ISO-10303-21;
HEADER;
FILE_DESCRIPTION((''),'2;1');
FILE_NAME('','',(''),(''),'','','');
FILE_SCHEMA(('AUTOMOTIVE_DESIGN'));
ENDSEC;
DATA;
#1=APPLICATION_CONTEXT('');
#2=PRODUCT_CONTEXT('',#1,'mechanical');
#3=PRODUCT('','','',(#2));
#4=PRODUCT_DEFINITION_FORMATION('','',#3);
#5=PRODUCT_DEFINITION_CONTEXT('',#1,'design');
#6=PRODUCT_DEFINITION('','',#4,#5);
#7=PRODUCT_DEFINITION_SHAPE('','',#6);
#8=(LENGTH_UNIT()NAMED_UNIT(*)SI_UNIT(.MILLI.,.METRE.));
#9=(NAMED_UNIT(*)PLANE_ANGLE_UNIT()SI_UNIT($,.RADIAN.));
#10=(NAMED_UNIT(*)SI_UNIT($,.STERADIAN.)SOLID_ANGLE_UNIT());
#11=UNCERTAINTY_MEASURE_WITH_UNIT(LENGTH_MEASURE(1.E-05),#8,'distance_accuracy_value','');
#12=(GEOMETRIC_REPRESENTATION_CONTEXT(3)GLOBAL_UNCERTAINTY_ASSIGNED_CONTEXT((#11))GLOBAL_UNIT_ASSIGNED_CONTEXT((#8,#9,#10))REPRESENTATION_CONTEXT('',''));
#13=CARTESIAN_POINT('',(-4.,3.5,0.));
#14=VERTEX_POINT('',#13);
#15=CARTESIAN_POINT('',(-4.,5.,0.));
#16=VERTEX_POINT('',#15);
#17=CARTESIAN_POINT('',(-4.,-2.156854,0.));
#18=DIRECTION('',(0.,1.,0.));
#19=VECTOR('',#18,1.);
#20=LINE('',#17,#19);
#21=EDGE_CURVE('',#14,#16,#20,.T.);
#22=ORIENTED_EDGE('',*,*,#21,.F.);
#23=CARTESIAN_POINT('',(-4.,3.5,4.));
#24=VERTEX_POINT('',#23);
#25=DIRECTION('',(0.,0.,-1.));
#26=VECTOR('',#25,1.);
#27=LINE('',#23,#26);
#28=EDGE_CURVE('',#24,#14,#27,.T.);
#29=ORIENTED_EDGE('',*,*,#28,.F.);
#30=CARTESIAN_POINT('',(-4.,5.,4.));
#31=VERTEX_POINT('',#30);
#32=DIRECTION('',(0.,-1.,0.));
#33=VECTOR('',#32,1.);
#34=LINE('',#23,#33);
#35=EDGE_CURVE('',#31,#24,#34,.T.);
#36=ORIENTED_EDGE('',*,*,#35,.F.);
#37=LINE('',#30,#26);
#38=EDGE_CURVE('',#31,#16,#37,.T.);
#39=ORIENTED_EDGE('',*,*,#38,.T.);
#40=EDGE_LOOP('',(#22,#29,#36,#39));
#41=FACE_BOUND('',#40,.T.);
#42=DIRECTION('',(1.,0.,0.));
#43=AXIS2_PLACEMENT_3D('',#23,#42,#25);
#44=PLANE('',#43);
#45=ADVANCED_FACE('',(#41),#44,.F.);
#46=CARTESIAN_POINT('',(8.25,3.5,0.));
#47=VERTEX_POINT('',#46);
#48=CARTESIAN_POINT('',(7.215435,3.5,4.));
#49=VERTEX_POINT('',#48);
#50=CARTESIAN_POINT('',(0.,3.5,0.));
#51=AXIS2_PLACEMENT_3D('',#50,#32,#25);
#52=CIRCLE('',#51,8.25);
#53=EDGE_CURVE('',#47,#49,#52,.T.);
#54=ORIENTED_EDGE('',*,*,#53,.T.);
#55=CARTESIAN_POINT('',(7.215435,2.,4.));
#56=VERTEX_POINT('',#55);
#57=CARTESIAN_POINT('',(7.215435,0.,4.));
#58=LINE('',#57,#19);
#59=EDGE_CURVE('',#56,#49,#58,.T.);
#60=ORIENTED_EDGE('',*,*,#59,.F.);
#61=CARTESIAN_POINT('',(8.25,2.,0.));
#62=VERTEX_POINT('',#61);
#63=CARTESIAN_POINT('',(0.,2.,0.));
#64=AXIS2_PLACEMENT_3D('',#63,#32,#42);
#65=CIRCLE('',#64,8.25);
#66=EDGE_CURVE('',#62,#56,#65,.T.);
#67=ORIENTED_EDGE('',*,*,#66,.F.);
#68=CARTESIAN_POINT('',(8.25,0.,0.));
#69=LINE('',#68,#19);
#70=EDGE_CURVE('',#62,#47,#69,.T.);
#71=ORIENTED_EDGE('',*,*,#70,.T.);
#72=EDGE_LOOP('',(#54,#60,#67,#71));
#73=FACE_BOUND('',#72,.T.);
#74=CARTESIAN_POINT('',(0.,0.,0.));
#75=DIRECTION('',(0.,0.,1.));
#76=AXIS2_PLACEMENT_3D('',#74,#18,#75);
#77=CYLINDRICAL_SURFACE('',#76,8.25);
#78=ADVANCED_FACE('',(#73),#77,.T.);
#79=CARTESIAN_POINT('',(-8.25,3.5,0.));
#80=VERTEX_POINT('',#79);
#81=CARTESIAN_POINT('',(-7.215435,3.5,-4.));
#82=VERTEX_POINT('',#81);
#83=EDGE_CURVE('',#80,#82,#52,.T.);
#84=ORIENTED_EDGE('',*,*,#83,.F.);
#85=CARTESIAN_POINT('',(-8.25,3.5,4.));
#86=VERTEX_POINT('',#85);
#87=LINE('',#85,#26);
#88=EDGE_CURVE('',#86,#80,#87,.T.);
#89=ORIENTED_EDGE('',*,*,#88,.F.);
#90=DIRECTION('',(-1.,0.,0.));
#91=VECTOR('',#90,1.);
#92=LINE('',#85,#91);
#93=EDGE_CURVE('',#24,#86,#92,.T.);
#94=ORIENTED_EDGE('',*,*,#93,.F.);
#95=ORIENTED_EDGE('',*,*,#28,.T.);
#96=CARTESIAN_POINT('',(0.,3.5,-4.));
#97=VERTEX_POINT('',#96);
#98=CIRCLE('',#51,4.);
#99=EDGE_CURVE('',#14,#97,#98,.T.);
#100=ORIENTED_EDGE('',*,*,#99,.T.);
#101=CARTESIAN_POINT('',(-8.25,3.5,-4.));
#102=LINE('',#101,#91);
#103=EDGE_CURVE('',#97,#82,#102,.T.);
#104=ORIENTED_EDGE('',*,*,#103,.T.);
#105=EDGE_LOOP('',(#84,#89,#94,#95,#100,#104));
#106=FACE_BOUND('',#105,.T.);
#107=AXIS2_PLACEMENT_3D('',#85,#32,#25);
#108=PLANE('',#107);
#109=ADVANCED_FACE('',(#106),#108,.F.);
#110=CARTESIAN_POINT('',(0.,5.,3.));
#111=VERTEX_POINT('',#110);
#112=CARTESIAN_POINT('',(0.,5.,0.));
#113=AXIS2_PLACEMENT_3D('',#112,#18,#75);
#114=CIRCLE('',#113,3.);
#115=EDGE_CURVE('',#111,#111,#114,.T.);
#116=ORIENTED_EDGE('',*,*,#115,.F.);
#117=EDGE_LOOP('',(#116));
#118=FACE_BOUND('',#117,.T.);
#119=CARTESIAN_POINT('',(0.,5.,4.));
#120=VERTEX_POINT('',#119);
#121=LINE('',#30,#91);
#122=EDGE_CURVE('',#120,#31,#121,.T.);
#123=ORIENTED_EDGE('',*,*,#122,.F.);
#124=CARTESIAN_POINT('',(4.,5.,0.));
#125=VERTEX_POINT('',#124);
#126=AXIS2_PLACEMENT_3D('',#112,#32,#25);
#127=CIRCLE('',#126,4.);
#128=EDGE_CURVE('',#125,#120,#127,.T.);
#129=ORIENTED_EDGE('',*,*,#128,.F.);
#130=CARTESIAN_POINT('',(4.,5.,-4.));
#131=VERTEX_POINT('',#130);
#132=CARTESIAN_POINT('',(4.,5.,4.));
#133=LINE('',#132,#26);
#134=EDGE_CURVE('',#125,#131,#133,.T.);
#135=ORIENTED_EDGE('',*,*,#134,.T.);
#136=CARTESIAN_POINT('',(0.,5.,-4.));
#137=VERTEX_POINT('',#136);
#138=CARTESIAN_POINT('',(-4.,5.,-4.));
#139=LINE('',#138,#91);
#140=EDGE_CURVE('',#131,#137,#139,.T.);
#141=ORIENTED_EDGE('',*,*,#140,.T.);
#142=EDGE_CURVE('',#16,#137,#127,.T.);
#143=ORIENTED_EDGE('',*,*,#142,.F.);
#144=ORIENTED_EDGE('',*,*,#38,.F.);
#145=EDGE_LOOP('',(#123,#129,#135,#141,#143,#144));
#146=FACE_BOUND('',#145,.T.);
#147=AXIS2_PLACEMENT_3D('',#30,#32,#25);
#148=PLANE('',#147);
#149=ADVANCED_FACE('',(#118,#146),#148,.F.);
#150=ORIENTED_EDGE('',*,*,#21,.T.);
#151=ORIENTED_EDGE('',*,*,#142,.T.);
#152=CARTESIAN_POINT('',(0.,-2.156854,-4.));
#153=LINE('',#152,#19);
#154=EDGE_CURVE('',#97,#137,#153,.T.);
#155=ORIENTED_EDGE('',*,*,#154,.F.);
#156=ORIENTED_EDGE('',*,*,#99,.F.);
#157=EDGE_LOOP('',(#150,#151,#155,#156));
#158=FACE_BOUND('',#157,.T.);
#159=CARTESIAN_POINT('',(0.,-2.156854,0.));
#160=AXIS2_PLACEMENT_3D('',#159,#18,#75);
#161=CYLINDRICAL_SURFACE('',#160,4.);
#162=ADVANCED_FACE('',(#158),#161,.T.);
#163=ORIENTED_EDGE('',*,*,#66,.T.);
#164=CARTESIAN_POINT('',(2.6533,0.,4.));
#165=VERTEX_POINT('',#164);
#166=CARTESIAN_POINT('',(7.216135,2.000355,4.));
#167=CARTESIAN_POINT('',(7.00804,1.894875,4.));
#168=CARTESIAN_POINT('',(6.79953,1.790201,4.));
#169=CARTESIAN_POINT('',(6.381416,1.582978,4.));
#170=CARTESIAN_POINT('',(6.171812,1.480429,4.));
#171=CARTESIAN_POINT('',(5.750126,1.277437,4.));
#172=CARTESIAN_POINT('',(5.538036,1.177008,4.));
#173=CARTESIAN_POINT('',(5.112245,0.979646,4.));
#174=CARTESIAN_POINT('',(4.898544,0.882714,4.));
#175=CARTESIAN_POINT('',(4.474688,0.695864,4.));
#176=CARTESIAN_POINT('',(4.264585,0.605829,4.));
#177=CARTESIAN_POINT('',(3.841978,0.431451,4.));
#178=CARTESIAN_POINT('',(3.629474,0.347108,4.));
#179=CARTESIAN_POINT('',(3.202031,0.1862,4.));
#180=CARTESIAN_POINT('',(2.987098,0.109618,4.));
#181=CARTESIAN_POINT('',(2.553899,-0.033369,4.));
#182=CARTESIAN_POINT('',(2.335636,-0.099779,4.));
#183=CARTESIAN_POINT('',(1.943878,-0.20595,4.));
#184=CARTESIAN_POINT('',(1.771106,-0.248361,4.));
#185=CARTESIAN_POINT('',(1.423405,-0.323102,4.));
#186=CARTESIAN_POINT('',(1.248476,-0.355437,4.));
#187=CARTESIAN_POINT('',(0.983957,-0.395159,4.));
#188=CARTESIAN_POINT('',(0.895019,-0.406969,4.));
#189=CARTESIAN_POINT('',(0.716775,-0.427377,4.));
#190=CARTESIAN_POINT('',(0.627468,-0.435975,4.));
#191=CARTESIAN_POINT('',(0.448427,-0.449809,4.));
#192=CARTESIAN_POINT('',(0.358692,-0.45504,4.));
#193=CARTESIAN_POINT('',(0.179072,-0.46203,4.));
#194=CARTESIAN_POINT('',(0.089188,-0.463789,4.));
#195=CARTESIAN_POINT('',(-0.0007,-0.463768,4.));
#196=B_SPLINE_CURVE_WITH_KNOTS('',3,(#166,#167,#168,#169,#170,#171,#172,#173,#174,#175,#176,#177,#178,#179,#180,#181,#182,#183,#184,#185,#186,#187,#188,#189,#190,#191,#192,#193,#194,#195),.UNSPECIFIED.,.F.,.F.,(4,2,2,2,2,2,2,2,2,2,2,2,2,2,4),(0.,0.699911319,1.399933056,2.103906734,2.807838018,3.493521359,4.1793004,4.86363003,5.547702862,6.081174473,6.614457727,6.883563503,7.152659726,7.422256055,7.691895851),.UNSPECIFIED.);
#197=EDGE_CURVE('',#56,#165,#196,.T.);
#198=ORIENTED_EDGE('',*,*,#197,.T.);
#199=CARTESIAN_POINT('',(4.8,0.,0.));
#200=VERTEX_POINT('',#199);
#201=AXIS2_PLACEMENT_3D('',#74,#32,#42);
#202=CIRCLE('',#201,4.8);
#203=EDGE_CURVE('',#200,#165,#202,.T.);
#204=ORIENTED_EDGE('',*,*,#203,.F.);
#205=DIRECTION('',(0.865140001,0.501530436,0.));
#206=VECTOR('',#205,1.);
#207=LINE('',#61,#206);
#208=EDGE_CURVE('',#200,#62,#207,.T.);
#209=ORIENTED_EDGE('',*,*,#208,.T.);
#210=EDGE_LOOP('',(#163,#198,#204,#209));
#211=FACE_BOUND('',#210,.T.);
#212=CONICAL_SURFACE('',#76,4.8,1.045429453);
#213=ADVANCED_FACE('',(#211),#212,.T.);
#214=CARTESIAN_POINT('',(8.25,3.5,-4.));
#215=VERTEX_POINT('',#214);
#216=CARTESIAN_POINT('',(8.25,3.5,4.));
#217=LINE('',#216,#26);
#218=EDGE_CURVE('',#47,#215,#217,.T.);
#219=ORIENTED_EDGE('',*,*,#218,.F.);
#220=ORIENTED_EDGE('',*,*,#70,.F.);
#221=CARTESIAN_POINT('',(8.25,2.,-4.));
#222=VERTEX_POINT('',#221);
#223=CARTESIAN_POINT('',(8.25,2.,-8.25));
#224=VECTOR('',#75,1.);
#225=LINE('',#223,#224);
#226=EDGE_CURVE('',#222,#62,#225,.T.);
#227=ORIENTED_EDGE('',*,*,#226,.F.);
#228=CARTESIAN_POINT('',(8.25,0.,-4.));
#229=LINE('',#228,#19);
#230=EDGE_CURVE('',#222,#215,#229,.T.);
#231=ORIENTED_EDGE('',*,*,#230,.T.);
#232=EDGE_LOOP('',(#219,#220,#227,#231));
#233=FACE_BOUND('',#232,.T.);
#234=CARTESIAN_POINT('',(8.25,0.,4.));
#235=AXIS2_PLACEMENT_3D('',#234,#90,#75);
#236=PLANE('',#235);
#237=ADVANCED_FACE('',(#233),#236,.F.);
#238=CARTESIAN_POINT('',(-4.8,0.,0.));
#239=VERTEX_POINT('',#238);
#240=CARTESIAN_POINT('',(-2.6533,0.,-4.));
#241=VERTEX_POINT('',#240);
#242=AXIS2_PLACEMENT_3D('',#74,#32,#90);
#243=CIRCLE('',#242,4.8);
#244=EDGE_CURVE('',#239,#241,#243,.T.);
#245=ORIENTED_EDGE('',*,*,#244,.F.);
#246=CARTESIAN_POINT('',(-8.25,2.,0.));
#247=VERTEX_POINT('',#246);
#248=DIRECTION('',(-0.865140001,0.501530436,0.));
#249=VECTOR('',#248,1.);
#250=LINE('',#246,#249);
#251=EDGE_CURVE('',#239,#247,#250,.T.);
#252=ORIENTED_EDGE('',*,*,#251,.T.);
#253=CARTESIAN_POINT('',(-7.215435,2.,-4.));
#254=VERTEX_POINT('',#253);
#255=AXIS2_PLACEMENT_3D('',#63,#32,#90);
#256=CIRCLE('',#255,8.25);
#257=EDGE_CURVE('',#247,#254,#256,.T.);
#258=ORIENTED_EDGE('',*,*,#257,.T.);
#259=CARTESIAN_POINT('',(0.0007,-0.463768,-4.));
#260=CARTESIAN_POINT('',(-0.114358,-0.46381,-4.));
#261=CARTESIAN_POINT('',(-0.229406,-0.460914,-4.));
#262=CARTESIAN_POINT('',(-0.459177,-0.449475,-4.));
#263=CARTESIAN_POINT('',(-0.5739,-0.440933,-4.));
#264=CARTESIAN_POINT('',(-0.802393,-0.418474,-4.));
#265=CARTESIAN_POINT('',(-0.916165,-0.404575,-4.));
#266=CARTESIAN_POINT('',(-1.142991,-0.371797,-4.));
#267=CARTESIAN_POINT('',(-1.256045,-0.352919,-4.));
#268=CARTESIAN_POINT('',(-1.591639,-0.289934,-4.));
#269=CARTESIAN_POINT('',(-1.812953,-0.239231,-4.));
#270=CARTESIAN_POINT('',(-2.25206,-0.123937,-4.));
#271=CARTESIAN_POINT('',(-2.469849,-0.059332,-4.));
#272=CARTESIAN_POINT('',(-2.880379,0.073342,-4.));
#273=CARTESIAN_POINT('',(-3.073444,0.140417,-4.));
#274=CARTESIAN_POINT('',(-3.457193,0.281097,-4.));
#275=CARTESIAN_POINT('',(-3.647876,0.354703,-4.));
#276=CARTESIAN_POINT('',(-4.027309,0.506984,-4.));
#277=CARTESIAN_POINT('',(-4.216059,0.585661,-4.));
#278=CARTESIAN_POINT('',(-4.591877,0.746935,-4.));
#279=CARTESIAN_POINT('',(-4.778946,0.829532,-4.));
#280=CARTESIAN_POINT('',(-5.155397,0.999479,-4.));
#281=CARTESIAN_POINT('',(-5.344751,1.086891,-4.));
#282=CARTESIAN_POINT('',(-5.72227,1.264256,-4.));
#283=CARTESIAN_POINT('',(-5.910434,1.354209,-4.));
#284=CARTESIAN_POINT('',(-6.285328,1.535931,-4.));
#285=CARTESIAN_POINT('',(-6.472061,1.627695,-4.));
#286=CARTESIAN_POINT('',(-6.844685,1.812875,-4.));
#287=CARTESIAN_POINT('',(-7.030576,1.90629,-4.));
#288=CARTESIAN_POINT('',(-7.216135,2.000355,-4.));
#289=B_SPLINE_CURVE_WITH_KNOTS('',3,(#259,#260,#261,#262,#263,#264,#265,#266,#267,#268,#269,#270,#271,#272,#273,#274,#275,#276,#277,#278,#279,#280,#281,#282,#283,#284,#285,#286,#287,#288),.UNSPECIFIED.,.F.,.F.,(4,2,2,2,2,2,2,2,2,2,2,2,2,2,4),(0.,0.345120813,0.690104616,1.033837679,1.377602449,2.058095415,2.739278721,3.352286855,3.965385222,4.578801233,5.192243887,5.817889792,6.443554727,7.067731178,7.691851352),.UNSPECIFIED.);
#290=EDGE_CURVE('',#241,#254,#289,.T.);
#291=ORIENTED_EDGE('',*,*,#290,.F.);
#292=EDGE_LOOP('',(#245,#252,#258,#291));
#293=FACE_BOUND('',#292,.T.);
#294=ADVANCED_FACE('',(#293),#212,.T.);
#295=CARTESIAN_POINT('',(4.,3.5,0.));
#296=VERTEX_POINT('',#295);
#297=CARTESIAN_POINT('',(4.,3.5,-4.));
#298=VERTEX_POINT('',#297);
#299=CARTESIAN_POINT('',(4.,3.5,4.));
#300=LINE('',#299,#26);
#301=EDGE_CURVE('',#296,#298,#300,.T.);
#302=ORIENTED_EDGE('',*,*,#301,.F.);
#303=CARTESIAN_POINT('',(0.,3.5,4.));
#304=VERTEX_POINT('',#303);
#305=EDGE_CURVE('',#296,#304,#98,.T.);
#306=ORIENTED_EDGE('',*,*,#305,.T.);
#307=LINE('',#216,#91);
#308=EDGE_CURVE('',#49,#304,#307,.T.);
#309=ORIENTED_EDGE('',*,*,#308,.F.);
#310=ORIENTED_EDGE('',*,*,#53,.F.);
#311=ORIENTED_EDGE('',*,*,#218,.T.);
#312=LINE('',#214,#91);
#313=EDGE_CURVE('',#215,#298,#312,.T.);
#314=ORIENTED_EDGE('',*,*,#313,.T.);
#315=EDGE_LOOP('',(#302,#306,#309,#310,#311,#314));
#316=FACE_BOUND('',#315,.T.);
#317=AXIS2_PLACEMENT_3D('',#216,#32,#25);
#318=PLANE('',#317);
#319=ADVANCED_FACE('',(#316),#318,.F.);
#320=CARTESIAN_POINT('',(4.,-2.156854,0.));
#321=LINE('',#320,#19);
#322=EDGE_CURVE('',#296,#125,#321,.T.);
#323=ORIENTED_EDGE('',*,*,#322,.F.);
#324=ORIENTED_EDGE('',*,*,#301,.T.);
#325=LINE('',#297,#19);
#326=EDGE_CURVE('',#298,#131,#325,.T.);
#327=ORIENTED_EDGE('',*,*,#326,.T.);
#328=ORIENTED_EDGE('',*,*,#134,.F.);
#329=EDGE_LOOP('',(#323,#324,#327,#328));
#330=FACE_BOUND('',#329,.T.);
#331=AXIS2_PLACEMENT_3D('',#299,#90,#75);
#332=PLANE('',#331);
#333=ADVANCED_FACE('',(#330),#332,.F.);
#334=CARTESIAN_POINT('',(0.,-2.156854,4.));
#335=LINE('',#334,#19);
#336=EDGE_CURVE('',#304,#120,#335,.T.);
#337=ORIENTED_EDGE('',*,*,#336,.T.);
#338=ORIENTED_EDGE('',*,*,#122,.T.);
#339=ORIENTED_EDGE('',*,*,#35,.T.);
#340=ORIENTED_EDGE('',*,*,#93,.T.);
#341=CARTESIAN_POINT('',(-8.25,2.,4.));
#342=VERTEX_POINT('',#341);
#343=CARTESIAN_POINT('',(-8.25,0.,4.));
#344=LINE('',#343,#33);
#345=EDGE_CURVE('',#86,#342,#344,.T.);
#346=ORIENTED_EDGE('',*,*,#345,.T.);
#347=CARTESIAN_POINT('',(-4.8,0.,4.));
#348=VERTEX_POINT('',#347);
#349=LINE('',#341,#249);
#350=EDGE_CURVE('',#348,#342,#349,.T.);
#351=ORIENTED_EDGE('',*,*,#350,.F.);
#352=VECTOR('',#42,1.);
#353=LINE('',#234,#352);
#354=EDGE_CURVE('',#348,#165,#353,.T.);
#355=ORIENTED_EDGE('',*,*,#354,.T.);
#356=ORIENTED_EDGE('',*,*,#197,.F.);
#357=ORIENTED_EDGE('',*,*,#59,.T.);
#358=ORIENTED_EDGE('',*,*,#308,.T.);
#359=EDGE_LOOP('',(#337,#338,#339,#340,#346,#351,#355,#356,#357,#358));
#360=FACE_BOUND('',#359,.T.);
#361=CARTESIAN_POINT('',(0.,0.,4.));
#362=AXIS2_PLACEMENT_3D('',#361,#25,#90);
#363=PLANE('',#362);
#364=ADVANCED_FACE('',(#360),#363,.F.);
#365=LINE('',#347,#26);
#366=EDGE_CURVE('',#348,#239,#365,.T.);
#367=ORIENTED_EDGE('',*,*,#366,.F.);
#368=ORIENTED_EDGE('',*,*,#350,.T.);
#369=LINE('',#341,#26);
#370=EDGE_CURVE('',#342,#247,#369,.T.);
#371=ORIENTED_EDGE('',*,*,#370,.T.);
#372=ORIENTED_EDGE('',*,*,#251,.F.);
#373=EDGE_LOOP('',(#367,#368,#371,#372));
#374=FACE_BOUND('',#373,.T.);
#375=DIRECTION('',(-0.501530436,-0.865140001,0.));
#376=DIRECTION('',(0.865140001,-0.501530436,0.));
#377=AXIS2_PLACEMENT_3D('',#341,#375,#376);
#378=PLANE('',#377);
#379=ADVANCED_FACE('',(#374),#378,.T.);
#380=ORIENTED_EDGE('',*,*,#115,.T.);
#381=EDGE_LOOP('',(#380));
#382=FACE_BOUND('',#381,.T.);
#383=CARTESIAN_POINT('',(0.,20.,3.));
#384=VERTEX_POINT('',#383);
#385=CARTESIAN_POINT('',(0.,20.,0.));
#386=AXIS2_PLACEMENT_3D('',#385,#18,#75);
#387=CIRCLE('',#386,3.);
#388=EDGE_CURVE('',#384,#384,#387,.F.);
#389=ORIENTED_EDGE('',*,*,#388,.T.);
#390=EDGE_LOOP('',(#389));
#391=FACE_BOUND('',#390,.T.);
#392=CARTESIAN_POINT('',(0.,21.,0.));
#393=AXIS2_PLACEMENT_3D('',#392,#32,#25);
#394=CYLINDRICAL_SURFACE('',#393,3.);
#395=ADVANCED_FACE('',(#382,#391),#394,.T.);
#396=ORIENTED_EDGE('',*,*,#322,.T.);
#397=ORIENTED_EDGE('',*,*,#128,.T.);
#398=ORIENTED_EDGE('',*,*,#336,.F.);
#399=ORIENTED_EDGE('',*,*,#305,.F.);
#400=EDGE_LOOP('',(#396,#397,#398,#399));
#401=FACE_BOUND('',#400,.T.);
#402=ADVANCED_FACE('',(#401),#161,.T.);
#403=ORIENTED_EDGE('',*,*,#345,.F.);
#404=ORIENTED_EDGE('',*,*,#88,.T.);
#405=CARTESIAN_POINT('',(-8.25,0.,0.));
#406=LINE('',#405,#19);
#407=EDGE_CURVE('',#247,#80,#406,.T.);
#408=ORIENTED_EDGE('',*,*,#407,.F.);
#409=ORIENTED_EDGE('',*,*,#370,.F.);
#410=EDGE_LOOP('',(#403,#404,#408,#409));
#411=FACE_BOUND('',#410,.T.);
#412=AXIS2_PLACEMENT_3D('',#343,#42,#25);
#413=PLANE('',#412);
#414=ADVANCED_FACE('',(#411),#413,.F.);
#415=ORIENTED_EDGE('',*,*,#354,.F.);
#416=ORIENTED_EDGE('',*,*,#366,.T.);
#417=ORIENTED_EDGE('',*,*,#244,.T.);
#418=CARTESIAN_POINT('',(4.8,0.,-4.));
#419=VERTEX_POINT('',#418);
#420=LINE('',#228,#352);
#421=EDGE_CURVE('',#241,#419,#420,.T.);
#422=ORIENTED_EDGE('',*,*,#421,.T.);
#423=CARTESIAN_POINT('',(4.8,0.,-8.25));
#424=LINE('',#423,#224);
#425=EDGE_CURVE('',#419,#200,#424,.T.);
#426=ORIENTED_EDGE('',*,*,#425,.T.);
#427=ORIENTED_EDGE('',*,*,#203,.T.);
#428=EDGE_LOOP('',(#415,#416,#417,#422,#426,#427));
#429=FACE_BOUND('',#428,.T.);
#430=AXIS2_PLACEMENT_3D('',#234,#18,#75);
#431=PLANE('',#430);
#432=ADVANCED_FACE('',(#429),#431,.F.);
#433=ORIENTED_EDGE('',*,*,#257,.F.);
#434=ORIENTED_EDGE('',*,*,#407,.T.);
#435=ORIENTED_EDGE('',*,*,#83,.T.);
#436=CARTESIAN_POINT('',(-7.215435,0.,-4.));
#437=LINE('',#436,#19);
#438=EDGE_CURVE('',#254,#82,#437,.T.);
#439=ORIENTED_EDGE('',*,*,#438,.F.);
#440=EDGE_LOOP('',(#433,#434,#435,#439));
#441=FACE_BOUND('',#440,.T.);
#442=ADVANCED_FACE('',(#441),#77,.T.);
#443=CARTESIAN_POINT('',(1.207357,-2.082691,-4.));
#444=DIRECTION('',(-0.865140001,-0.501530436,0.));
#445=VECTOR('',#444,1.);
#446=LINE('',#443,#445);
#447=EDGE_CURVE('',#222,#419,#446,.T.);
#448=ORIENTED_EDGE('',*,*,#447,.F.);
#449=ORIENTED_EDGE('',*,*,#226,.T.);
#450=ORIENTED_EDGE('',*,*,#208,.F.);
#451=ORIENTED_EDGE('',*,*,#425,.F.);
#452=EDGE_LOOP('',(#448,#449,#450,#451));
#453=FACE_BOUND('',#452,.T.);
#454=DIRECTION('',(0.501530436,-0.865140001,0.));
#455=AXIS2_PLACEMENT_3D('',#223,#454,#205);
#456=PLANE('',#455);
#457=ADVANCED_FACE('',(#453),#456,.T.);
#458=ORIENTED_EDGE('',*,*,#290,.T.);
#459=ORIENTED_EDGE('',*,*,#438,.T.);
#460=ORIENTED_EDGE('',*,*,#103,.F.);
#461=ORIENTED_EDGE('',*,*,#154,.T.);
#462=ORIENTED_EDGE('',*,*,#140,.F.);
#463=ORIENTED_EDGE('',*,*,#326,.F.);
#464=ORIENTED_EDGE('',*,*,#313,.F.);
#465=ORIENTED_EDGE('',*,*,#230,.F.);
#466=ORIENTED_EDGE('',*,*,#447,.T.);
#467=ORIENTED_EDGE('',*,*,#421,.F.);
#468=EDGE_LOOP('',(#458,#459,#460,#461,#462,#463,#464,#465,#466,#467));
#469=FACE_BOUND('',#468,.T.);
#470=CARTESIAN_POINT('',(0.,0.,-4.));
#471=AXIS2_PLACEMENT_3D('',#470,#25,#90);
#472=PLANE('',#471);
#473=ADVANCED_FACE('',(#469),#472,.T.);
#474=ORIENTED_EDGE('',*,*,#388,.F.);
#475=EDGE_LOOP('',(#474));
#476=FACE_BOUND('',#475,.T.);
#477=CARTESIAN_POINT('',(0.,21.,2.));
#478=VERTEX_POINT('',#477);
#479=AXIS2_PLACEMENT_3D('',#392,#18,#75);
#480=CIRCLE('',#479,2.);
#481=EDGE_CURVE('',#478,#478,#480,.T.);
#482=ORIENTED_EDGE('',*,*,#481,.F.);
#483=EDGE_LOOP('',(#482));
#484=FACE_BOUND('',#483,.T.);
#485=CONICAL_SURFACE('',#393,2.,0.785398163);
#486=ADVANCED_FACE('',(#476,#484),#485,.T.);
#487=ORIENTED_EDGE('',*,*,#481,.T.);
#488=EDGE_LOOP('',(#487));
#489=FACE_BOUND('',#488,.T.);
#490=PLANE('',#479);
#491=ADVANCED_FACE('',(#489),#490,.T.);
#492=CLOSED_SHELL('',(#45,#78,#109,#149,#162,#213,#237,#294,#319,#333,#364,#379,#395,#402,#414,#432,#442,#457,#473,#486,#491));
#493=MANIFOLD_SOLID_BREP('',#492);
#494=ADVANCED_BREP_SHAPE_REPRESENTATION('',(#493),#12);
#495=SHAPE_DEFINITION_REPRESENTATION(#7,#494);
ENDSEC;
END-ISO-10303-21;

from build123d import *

# Parameters (mm, degrees)
EXTRUDE_1_DEPTH     = 4
SKETCH_2_R          = 3
EXTRUDE_2_DEPTH     = 16
CUT_EXTRUDE_1_DEPTH = 1.5
CUT_EXTRUDE_2_DEPTH = 4.5
CHAMFER_2_SIZE      = 1


with BuildPart() as part:
    # Эскиз1 → Бобышка-Вытянуть1 (new body, symmetric)
    with BuildSketch(Plane.XY):
        Polygon((8.25, 0), (-8.25, 0), (-8.25, 3.5), (-4, 3.5), (-4, 5), (4, 5), (4, 3.5), (8.25, 3.5), align=None)
    extrude(amount=EXTRUDE_1_DEPTH, both=True)

    # Эскиз2 → Бобышка-Вытянуть2 (add)
    with BuildSketch(Plane(origin=(0, 5, 0), x_dir=(1, 0, 0), z_dir=(0, 1, 0))):
        with Locations(Location((0, 0, 0), (0, 0, 270))):  # turned: the seam where the file's is
            Circle(SKETCH_2_R)
    extrude(amount=EXTRUDE_2_DEPTH)

    # Эскиз3 → Вырез-Вытянуть1 (cut)
    with BuildSketch(Plane(origin=(0, 5, 0), x_dir=(1, 0, 0), z_dir=(0, 1, 0))):
        with BuildLine():
            Line((-4, 0), (-4, 4))
            Line((-4, 4), (0, 4))
            ThreePointArc((0, 4), (-2.828427125, 2.828427125), (-4, 0))
        make_face()
        with BuildLine():
            Line((0, -4), (4, -4))
            Line((4, -4), (4, 0))
            ThreePointArc((4, 0), (2.828427125, -2.828427125), (0, -4))
        make_face()
    extrude(amount=-CUT_EXTRUDE_1_DEPTH, mode=Mode.SUBTRACT)

    # Эскиз4 → Вырез-Вытянуть2 (cut, through all)
    with BuildSketch(Plane(origin=(0, 3.5, 0), x_dir=(1, 0, 0), z_dir=(0, 1, 0))):
        with BuildLine():
            Line((-7.215434845, 4), (-8.25, 4))
            Line((-8.25, 4), (-8.25, 0))
            ThreePointArc((-8.25, 0), (-7.987172136, 2.065812495), (-7.215434845, 4))
        make_face()
        with BuildLine():
            Line((7.215434845, -4), (8.25, -4))
            Line((8.25, -4), (8.25, 0))
            ThreePointArc((8.25, 0), (7.987172136, -2.065812495), (7.215434845, -4))
        make_face()
    extrude(amount=-CUT_EXTRUDE_2_DEPTH, mode=Mode.SUBTRACT)

    # Вырез-По траектории1: sweep along a path in Эскиз6
    with BuildLine(Plane.XZ) as sweep_1_path:
        Line((0, -8.25), (8.25, -8.25))
        Line((8.25, -8.25), (8.25, 0))
        ThreePointArc((8.25, 0), (5.833630945, 5.833630945), (0, 8.25))
        Line((0, 8.25), (-8.25, 8.25))
        Line((-8.25, 8.25), (-8.25, 0))
        ThreePointArc((-8.25, 0), (-5.833630945, -5.833630945), (0, -8.25))
    # Эскиз5 → Вырез-По траектории1 (sweep, cut)
    with BuildSketch(Plane.XY.offset(4)):
        Polygon((-8.25, 2), (-4.8, 0), (-8.25, 0), align=None)
    sweep(path=sweep_1_path.line, transition=Transition.RIGHT, mode=Mode.SUBTRACT)

    # Фаска2
    chamfer_2_edges = [part.edges().sort_by_distance(p)[0] for p in [
        (0, 21, -3),
    ]]
    chamfer(chamfer_2_edges, length=CHAMFER_2_SIZE)


solid = part.part
